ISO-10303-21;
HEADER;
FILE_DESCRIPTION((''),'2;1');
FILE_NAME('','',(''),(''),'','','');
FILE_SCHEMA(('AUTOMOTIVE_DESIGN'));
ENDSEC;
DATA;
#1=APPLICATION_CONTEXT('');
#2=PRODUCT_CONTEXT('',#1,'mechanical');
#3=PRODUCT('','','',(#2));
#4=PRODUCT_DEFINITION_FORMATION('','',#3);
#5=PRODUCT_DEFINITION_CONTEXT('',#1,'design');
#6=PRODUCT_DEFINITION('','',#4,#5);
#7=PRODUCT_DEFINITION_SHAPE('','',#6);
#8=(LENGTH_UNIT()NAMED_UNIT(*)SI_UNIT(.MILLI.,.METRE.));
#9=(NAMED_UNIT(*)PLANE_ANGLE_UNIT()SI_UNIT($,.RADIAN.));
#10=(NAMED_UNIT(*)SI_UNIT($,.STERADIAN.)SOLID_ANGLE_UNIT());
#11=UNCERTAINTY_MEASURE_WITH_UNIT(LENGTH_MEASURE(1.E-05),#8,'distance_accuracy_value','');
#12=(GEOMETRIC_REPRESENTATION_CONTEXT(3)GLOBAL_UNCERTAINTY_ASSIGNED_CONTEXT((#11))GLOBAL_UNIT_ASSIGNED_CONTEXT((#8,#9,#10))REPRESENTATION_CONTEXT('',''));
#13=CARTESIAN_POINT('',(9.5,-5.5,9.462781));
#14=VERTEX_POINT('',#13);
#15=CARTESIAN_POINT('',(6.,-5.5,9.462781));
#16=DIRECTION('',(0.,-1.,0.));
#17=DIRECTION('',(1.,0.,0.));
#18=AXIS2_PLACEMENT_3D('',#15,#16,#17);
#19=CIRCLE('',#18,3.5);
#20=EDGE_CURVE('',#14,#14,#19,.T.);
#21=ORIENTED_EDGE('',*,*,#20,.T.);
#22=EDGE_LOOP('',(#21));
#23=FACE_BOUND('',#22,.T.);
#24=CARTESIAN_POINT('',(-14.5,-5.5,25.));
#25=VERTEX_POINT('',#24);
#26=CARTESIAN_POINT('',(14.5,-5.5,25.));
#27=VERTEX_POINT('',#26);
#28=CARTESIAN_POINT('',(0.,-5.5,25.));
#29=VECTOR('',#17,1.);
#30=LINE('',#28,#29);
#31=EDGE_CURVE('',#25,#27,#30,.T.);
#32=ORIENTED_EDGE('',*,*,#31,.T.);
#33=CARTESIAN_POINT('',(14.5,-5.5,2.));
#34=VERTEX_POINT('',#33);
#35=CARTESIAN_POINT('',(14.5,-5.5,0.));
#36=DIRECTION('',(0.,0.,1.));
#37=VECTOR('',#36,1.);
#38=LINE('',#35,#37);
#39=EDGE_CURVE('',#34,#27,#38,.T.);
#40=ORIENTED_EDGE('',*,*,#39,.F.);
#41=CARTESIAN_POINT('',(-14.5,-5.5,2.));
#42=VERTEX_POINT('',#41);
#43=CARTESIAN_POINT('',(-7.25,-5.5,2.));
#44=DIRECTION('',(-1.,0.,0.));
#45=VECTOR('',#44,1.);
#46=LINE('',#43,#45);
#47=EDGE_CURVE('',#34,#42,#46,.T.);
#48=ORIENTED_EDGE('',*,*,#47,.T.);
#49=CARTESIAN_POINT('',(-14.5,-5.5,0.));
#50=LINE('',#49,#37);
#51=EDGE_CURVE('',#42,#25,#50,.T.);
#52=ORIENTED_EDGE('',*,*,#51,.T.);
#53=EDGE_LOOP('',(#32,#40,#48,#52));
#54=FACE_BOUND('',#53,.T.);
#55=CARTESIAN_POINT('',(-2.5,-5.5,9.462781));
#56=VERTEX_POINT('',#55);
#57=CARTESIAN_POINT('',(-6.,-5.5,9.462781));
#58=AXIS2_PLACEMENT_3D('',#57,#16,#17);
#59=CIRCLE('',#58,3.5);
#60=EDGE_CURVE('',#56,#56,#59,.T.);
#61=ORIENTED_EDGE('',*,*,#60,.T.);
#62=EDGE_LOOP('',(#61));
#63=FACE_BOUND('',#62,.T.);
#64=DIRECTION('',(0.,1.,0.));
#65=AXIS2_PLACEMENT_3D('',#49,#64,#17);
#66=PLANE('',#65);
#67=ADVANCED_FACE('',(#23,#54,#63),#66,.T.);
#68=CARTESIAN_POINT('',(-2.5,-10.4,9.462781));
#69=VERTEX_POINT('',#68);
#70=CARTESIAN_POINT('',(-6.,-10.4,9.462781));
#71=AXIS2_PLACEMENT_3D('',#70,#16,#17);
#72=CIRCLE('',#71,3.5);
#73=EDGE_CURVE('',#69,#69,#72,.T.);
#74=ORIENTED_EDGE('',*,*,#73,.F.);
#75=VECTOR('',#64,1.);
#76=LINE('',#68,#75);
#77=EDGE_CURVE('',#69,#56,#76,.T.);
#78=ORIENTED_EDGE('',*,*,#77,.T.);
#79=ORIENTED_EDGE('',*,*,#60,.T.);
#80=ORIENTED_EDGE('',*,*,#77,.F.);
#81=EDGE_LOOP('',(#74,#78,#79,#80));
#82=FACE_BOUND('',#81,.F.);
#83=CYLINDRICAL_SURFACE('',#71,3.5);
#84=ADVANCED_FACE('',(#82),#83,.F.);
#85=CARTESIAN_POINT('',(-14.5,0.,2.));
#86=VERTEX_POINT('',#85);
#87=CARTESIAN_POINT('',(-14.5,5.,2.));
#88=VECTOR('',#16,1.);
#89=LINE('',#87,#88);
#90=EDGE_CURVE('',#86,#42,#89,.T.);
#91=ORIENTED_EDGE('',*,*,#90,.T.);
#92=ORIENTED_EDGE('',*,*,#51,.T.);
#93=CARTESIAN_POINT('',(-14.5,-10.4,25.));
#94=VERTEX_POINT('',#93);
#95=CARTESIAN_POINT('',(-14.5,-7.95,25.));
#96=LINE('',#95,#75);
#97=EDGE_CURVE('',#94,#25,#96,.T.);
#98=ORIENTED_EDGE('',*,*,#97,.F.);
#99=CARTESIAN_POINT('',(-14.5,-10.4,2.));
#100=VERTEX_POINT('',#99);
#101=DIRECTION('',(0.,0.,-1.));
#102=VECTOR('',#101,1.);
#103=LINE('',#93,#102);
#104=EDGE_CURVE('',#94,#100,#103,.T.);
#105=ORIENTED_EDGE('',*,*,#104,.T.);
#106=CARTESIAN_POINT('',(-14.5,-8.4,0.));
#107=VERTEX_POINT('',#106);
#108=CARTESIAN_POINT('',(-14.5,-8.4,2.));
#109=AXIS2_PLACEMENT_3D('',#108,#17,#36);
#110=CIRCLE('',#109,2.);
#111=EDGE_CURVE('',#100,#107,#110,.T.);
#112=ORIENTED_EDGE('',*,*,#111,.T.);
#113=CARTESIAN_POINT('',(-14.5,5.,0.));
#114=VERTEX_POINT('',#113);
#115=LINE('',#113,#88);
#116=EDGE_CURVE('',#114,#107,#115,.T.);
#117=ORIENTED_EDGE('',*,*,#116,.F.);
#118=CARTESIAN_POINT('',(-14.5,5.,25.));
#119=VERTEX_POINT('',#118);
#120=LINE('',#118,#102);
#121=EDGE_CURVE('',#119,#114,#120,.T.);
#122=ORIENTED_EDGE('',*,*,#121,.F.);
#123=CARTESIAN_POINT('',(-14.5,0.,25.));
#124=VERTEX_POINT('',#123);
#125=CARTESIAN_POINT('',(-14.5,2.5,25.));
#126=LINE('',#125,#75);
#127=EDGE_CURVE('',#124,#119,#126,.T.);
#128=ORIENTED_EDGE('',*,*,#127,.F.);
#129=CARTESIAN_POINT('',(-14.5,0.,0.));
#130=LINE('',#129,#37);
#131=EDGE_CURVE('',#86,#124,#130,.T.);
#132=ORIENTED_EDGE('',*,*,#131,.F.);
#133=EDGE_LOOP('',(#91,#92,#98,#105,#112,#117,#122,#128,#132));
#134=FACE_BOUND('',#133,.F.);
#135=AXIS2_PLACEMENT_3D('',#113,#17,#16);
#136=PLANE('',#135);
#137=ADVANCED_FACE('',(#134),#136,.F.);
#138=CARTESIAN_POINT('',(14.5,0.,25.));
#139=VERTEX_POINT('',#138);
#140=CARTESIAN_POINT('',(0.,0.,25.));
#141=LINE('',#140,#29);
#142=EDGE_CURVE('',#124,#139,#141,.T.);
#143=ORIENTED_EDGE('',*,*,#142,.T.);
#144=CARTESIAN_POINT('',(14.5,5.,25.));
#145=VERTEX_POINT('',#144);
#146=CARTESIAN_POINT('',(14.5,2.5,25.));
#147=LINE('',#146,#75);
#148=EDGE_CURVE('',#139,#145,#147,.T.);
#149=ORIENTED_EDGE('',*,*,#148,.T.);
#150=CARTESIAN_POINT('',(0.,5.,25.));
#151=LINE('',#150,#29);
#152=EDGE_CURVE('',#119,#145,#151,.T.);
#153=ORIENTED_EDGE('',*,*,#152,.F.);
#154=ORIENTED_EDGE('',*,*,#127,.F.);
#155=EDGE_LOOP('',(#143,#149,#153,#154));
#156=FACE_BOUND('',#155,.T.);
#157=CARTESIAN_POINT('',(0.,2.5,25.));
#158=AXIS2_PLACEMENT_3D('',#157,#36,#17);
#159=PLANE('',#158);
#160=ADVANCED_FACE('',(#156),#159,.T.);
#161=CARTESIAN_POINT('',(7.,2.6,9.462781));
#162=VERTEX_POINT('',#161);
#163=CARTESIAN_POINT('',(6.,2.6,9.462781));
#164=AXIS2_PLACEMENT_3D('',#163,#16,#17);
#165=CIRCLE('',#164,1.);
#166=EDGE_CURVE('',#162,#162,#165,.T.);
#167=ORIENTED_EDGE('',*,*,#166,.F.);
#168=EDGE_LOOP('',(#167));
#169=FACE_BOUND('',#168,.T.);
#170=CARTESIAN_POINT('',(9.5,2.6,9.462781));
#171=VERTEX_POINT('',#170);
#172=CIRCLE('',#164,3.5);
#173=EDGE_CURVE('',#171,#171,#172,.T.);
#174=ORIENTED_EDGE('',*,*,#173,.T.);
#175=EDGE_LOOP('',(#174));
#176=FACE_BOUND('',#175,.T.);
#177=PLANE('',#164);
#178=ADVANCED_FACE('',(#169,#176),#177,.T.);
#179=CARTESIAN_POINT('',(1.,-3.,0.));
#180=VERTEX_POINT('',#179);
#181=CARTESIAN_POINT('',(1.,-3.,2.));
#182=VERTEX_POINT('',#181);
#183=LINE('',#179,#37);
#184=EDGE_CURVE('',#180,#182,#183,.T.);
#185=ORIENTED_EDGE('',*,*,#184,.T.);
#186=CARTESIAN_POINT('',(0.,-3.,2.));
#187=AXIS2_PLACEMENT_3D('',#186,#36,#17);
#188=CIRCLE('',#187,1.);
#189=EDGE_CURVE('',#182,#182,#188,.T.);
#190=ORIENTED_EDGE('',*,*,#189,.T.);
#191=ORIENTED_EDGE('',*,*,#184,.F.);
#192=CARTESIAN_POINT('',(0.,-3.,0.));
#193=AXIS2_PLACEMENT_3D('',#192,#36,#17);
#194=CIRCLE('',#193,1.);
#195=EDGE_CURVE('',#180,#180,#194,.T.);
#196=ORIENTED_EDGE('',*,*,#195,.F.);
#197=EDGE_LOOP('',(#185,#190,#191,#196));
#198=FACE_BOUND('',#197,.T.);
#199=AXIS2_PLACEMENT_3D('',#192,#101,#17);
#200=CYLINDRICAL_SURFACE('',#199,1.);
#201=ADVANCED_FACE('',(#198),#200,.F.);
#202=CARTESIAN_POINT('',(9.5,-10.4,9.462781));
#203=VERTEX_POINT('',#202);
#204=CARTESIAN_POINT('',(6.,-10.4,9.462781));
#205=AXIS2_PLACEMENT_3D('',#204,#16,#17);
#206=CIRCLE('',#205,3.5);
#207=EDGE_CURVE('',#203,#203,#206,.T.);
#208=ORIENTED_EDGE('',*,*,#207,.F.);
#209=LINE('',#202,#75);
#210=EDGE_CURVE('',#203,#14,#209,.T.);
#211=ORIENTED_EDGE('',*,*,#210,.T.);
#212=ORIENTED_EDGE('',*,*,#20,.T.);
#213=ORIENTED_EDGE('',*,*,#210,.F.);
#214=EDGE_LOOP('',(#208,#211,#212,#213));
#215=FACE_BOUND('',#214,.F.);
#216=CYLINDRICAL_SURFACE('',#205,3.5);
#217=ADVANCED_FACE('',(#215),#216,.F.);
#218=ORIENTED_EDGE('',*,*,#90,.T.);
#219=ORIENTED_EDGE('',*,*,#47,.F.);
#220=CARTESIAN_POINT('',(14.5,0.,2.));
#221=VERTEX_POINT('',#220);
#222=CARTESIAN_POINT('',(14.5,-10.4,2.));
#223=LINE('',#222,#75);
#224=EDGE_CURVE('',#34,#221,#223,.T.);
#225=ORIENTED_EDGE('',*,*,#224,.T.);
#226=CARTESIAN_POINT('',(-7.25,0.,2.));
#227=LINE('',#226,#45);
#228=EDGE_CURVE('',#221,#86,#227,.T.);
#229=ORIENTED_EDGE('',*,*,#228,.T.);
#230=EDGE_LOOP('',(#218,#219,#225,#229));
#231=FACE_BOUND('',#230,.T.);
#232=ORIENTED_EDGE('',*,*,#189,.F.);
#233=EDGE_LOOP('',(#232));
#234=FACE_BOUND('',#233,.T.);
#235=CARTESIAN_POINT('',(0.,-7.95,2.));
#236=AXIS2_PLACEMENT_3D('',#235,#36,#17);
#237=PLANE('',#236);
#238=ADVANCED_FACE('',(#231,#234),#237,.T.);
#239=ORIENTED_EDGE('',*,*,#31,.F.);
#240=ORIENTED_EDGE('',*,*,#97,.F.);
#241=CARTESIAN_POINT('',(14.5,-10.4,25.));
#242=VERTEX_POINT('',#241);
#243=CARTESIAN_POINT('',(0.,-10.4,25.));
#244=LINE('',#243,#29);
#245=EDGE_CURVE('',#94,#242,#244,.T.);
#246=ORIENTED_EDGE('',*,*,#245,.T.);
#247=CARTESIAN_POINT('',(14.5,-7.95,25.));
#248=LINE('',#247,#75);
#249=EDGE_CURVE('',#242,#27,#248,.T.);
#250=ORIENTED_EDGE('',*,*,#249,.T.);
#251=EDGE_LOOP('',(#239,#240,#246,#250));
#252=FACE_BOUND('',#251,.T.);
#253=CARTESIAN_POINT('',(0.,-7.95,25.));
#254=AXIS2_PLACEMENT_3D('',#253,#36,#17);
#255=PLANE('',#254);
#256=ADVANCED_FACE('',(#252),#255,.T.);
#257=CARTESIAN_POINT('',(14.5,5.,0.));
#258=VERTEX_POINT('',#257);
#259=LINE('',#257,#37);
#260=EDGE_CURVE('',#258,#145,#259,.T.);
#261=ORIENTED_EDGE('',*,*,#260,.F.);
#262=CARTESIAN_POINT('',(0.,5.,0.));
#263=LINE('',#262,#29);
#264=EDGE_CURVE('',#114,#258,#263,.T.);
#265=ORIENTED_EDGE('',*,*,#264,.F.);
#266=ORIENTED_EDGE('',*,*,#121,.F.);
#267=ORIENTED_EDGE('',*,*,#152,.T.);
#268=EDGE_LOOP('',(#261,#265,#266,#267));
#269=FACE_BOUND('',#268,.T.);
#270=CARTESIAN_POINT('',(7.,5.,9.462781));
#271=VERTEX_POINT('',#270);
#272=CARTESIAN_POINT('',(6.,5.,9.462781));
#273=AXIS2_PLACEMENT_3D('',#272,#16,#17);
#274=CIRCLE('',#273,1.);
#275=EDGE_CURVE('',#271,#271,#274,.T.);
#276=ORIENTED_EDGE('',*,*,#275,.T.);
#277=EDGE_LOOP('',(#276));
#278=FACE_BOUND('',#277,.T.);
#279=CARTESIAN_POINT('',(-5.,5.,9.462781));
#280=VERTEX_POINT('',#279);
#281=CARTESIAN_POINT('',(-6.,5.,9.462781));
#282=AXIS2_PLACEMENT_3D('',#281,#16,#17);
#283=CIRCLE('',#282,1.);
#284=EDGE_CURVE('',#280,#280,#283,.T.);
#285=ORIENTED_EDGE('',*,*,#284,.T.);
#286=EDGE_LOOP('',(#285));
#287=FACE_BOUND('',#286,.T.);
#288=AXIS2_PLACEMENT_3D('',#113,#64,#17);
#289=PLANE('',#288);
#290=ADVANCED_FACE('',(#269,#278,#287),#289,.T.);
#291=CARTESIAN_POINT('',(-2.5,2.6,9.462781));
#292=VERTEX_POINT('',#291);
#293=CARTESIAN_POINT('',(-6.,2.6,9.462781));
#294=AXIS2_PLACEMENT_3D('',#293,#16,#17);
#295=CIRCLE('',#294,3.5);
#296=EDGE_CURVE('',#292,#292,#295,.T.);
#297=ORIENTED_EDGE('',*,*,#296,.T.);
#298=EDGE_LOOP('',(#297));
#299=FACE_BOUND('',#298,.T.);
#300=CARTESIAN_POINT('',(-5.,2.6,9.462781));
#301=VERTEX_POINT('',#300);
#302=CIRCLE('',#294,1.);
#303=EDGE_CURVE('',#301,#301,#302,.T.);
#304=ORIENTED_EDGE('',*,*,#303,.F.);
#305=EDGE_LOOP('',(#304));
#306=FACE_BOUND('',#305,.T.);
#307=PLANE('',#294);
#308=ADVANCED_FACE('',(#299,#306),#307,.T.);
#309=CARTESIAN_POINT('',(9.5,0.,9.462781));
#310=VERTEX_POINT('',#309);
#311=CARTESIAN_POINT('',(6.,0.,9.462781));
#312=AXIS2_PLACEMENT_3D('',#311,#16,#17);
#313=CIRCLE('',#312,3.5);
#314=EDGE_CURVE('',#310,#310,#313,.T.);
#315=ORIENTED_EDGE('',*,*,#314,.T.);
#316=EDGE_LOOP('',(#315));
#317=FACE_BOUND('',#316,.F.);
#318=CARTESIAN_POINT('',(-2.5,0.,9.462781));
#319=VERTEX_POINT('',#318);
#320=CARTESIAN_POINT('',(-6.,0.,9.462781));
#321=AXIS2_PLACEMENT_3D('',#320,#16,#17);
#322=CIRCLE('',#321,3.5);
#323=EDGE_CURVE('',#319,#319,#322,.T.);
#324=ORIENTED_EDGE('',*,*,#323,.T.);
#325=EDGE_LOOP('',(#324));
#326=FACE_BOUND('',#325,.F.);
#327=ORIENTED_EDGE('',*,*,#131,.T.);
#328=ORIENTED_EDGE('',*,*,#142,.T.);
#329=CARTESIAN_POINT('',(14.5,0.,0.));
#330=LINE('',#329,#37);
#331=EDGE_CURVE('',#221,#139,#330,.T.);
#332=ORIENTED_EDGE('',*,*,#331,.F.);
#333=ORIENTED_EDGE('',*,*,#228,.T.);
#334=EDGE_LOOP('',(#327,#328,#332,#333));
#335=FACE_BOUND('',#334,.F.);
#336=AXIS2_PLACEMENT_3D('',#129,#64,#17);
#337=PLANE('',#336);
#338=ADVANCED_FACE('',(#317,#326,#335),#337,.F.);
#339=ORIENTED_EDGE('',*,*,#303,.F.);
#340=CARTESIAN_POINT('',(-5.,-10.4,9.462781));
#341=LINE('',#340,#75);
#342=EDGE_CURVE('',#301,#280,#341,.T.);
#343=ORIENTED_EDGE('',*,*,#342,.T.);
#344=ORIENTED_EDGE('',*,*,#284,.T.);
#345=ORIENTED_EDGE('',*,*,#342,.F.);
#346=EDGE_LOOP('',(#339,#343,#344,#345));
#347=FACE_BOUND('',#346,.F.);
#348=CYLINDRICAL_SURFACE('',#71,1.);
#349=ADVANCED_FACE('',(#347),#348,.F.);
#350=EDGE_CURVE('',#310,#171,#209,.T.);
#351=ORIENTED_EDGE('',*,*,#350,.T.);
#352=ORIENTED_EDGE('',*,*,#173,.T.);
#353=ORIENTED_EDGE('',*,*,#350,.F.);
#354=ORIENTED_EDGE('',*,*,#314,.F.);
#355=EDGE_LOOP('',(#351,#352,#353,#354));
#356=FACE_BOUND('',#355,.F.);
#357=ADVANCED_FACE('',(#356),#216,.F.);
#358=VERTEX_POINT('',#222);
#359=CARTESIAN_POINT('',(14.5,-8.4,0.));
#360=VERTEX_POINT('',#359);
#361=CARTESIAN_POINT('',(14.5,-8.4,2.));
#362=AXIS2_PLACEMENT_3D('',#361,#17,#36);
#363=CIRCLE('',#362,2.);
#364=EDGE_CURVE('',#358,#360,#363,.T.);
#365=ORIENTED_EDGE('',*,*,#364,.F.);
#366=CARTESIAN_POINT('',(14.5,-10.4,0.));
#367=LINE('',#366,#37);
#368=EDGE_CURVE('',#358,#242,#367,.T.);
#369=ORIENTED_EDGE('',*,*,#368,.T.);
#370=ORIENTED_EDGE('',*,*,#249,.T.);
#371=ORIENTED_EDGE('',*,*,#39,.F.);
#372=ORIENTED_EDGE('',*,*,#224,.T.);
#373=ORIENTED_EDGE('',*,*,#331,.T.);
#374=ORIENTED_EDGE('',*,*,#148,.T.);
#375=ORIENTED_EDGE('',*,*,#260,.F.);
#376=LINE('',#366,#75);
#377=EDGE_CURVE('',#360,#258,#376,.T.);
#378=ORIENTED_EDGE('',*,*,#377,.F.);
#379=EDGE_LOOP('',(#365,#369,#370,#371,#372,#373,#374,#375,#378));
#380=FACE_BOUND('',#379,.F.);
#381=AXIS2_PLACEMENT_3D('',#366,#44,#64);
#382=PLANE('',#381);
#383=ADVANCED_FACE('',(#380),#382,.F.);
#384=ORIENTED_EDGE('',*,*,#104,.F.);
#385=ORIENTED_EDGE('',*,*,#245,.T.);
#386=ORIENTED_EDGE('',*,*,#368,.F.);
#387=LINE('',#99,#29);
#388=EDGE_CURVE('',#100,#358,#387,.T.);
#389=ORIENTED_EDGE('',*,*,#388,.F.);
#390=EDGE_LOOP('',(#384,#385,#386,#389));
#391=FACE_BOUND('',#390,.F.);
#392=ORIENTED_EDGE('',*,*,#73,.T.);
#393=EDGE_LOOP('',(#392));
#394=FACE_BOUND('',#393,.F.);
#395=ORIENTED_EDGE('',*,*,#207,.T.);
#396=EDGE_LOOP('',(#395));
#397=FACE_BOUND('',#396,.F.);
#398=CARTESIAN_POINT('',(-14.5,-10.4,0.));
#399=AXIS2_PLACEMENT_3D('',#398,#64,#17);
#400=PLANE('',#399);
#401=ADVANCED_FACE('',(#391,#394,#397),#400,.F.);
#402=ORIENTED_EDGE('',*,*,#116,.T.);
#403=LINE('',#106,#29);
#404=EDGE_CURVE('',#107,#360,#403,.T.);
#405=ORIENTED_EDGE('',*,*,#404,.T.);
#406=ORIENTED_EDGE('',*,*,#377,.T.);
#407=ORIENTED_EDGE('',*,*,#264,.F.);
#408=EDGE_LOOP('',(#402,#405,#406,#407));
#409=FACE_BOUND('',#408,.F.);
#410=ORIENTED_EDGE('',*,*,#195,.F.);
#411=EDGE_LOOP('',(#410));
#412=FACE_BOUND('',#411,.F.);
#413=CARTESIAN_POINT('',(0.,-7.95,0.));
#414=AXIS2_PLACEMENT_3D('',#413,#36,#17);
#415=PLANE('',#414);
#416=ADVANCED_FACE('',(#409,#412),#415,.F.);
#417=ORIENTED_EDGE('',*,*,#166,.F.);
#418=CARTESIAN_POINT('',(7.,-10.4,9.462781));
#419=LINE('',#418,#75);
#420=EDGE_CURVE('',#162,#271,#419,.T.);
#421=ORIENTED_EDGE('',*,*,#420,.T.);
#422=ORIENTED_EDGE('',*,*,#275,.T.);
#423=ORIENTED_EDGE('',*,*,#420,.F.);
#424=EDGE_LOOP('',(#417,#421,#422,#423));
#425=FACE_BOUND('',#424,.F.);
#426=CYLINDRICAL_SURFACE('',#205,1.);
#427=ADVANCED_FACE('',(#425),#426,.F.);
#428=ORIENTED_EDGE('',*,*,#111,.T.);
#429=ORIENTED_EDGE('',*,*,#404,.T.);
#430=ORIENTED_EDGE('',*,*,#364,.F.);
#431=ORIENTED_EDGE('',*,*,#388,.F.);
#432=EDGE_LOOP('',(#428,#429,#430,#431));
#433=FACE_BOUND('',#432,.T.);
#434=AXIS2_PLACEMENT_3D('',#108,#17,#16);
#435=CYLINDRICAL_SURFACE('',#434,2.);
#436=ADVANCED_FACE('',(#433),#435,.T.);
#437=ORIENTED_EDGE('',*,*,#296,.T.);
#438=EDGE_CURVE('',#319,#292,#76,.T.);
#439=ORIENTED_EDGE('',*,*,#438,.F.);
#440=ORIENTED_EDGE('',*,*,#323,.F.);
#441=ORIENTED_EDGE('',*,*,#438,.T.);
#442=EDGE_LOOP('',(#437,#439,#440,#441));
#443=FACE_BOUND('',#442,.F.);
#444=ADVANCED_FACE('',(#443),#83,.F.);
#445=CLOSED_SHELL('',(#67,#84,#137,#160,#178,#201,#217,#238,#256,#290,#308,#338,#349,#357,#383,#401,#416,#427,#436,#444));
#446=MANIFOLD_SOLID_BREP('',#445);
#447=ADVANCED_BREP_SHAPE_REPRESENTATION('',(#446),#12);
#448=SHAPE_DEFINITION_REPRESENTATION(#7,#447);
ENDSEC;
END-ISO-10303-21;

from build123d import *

# Parameters (mm, degrees)
F0_W     = 29
F0_H     = 4.9
F0_H_2   = 5.5
F0_R     = 1
F0_H_3   = 5
F1_DEPTH = 2
F2_DEPTH = 25
F3_R     = 1
F4_DEPTH = 25
F3_R_2   = 3.5
F5_DEPTH = 13
F6_R     = 2


with BuildPart() as f1:
    # F0 (on Top) → F1 (new body)
    with BuildSketch(Plane.XY):
        with Locations((0, -7.95)):
            Rectangle(F0_W, F0_H)
        with Locations((0, -2.75)):
            Rectangle(F0_W, F0_H_2)
        with Locations((0, -3)):
            Circle(F0_R, mode=Mode.SUBTRACT)
        with Locations((0, 2.5)):
            Rectangle(F0_W, F0_H_3)
    extrude(amount=F1_DEPTH)

    # F0 (on Top) → F2 (join)
    with BuildSketch(Plane.XY):
        with Locations((0, -7.95)):
            Rectangle(F0_W, F0_H)
        with Locations((0, 2.5)):
            Rectangle(F0_W, F0_H_3)
    extrude(amount=F2_DEPTH)

    # F3 (on face) → F4 (cut)
    with BuildSketch(Plane.XZ.offset(10.4)):
        with Locations((6, 9.462781)):
            Circle(F3_R)
        with Locations((-6, 9.462781)):
            Circle(F3_R)
    extrude(amount=-F4_DEPTH, mode=Mode.SUBTRACT)

    # F3 (on face) → F5 (cut)
    with BuildSketch(Plane.XZ.offset(10.4)):
        with Locations((-6, 9.462781)):
            Circle(F3_R_2)
        with Locations((-6, 9.462781)):
            Circle(F3_R, mode=Mode.SUBTRACT)
        with Locations((6, 9.462781)):
            Circle(F3_R_2)
        with Locations((6, 9.462781)):
            Circle(F3_R, mode=Mode.SUBTRACT)
    extrude(amount=-F5_DEPTH, mode=Mode.SUBTRACT)

    # F6
    f6_edges = [f1.edges().sort_by_distance(p)[0] for p in [
        (0, -10.4, 0),
    ]]
    fillet(f6_edges, radius=F6_R)


solid = f1.part
